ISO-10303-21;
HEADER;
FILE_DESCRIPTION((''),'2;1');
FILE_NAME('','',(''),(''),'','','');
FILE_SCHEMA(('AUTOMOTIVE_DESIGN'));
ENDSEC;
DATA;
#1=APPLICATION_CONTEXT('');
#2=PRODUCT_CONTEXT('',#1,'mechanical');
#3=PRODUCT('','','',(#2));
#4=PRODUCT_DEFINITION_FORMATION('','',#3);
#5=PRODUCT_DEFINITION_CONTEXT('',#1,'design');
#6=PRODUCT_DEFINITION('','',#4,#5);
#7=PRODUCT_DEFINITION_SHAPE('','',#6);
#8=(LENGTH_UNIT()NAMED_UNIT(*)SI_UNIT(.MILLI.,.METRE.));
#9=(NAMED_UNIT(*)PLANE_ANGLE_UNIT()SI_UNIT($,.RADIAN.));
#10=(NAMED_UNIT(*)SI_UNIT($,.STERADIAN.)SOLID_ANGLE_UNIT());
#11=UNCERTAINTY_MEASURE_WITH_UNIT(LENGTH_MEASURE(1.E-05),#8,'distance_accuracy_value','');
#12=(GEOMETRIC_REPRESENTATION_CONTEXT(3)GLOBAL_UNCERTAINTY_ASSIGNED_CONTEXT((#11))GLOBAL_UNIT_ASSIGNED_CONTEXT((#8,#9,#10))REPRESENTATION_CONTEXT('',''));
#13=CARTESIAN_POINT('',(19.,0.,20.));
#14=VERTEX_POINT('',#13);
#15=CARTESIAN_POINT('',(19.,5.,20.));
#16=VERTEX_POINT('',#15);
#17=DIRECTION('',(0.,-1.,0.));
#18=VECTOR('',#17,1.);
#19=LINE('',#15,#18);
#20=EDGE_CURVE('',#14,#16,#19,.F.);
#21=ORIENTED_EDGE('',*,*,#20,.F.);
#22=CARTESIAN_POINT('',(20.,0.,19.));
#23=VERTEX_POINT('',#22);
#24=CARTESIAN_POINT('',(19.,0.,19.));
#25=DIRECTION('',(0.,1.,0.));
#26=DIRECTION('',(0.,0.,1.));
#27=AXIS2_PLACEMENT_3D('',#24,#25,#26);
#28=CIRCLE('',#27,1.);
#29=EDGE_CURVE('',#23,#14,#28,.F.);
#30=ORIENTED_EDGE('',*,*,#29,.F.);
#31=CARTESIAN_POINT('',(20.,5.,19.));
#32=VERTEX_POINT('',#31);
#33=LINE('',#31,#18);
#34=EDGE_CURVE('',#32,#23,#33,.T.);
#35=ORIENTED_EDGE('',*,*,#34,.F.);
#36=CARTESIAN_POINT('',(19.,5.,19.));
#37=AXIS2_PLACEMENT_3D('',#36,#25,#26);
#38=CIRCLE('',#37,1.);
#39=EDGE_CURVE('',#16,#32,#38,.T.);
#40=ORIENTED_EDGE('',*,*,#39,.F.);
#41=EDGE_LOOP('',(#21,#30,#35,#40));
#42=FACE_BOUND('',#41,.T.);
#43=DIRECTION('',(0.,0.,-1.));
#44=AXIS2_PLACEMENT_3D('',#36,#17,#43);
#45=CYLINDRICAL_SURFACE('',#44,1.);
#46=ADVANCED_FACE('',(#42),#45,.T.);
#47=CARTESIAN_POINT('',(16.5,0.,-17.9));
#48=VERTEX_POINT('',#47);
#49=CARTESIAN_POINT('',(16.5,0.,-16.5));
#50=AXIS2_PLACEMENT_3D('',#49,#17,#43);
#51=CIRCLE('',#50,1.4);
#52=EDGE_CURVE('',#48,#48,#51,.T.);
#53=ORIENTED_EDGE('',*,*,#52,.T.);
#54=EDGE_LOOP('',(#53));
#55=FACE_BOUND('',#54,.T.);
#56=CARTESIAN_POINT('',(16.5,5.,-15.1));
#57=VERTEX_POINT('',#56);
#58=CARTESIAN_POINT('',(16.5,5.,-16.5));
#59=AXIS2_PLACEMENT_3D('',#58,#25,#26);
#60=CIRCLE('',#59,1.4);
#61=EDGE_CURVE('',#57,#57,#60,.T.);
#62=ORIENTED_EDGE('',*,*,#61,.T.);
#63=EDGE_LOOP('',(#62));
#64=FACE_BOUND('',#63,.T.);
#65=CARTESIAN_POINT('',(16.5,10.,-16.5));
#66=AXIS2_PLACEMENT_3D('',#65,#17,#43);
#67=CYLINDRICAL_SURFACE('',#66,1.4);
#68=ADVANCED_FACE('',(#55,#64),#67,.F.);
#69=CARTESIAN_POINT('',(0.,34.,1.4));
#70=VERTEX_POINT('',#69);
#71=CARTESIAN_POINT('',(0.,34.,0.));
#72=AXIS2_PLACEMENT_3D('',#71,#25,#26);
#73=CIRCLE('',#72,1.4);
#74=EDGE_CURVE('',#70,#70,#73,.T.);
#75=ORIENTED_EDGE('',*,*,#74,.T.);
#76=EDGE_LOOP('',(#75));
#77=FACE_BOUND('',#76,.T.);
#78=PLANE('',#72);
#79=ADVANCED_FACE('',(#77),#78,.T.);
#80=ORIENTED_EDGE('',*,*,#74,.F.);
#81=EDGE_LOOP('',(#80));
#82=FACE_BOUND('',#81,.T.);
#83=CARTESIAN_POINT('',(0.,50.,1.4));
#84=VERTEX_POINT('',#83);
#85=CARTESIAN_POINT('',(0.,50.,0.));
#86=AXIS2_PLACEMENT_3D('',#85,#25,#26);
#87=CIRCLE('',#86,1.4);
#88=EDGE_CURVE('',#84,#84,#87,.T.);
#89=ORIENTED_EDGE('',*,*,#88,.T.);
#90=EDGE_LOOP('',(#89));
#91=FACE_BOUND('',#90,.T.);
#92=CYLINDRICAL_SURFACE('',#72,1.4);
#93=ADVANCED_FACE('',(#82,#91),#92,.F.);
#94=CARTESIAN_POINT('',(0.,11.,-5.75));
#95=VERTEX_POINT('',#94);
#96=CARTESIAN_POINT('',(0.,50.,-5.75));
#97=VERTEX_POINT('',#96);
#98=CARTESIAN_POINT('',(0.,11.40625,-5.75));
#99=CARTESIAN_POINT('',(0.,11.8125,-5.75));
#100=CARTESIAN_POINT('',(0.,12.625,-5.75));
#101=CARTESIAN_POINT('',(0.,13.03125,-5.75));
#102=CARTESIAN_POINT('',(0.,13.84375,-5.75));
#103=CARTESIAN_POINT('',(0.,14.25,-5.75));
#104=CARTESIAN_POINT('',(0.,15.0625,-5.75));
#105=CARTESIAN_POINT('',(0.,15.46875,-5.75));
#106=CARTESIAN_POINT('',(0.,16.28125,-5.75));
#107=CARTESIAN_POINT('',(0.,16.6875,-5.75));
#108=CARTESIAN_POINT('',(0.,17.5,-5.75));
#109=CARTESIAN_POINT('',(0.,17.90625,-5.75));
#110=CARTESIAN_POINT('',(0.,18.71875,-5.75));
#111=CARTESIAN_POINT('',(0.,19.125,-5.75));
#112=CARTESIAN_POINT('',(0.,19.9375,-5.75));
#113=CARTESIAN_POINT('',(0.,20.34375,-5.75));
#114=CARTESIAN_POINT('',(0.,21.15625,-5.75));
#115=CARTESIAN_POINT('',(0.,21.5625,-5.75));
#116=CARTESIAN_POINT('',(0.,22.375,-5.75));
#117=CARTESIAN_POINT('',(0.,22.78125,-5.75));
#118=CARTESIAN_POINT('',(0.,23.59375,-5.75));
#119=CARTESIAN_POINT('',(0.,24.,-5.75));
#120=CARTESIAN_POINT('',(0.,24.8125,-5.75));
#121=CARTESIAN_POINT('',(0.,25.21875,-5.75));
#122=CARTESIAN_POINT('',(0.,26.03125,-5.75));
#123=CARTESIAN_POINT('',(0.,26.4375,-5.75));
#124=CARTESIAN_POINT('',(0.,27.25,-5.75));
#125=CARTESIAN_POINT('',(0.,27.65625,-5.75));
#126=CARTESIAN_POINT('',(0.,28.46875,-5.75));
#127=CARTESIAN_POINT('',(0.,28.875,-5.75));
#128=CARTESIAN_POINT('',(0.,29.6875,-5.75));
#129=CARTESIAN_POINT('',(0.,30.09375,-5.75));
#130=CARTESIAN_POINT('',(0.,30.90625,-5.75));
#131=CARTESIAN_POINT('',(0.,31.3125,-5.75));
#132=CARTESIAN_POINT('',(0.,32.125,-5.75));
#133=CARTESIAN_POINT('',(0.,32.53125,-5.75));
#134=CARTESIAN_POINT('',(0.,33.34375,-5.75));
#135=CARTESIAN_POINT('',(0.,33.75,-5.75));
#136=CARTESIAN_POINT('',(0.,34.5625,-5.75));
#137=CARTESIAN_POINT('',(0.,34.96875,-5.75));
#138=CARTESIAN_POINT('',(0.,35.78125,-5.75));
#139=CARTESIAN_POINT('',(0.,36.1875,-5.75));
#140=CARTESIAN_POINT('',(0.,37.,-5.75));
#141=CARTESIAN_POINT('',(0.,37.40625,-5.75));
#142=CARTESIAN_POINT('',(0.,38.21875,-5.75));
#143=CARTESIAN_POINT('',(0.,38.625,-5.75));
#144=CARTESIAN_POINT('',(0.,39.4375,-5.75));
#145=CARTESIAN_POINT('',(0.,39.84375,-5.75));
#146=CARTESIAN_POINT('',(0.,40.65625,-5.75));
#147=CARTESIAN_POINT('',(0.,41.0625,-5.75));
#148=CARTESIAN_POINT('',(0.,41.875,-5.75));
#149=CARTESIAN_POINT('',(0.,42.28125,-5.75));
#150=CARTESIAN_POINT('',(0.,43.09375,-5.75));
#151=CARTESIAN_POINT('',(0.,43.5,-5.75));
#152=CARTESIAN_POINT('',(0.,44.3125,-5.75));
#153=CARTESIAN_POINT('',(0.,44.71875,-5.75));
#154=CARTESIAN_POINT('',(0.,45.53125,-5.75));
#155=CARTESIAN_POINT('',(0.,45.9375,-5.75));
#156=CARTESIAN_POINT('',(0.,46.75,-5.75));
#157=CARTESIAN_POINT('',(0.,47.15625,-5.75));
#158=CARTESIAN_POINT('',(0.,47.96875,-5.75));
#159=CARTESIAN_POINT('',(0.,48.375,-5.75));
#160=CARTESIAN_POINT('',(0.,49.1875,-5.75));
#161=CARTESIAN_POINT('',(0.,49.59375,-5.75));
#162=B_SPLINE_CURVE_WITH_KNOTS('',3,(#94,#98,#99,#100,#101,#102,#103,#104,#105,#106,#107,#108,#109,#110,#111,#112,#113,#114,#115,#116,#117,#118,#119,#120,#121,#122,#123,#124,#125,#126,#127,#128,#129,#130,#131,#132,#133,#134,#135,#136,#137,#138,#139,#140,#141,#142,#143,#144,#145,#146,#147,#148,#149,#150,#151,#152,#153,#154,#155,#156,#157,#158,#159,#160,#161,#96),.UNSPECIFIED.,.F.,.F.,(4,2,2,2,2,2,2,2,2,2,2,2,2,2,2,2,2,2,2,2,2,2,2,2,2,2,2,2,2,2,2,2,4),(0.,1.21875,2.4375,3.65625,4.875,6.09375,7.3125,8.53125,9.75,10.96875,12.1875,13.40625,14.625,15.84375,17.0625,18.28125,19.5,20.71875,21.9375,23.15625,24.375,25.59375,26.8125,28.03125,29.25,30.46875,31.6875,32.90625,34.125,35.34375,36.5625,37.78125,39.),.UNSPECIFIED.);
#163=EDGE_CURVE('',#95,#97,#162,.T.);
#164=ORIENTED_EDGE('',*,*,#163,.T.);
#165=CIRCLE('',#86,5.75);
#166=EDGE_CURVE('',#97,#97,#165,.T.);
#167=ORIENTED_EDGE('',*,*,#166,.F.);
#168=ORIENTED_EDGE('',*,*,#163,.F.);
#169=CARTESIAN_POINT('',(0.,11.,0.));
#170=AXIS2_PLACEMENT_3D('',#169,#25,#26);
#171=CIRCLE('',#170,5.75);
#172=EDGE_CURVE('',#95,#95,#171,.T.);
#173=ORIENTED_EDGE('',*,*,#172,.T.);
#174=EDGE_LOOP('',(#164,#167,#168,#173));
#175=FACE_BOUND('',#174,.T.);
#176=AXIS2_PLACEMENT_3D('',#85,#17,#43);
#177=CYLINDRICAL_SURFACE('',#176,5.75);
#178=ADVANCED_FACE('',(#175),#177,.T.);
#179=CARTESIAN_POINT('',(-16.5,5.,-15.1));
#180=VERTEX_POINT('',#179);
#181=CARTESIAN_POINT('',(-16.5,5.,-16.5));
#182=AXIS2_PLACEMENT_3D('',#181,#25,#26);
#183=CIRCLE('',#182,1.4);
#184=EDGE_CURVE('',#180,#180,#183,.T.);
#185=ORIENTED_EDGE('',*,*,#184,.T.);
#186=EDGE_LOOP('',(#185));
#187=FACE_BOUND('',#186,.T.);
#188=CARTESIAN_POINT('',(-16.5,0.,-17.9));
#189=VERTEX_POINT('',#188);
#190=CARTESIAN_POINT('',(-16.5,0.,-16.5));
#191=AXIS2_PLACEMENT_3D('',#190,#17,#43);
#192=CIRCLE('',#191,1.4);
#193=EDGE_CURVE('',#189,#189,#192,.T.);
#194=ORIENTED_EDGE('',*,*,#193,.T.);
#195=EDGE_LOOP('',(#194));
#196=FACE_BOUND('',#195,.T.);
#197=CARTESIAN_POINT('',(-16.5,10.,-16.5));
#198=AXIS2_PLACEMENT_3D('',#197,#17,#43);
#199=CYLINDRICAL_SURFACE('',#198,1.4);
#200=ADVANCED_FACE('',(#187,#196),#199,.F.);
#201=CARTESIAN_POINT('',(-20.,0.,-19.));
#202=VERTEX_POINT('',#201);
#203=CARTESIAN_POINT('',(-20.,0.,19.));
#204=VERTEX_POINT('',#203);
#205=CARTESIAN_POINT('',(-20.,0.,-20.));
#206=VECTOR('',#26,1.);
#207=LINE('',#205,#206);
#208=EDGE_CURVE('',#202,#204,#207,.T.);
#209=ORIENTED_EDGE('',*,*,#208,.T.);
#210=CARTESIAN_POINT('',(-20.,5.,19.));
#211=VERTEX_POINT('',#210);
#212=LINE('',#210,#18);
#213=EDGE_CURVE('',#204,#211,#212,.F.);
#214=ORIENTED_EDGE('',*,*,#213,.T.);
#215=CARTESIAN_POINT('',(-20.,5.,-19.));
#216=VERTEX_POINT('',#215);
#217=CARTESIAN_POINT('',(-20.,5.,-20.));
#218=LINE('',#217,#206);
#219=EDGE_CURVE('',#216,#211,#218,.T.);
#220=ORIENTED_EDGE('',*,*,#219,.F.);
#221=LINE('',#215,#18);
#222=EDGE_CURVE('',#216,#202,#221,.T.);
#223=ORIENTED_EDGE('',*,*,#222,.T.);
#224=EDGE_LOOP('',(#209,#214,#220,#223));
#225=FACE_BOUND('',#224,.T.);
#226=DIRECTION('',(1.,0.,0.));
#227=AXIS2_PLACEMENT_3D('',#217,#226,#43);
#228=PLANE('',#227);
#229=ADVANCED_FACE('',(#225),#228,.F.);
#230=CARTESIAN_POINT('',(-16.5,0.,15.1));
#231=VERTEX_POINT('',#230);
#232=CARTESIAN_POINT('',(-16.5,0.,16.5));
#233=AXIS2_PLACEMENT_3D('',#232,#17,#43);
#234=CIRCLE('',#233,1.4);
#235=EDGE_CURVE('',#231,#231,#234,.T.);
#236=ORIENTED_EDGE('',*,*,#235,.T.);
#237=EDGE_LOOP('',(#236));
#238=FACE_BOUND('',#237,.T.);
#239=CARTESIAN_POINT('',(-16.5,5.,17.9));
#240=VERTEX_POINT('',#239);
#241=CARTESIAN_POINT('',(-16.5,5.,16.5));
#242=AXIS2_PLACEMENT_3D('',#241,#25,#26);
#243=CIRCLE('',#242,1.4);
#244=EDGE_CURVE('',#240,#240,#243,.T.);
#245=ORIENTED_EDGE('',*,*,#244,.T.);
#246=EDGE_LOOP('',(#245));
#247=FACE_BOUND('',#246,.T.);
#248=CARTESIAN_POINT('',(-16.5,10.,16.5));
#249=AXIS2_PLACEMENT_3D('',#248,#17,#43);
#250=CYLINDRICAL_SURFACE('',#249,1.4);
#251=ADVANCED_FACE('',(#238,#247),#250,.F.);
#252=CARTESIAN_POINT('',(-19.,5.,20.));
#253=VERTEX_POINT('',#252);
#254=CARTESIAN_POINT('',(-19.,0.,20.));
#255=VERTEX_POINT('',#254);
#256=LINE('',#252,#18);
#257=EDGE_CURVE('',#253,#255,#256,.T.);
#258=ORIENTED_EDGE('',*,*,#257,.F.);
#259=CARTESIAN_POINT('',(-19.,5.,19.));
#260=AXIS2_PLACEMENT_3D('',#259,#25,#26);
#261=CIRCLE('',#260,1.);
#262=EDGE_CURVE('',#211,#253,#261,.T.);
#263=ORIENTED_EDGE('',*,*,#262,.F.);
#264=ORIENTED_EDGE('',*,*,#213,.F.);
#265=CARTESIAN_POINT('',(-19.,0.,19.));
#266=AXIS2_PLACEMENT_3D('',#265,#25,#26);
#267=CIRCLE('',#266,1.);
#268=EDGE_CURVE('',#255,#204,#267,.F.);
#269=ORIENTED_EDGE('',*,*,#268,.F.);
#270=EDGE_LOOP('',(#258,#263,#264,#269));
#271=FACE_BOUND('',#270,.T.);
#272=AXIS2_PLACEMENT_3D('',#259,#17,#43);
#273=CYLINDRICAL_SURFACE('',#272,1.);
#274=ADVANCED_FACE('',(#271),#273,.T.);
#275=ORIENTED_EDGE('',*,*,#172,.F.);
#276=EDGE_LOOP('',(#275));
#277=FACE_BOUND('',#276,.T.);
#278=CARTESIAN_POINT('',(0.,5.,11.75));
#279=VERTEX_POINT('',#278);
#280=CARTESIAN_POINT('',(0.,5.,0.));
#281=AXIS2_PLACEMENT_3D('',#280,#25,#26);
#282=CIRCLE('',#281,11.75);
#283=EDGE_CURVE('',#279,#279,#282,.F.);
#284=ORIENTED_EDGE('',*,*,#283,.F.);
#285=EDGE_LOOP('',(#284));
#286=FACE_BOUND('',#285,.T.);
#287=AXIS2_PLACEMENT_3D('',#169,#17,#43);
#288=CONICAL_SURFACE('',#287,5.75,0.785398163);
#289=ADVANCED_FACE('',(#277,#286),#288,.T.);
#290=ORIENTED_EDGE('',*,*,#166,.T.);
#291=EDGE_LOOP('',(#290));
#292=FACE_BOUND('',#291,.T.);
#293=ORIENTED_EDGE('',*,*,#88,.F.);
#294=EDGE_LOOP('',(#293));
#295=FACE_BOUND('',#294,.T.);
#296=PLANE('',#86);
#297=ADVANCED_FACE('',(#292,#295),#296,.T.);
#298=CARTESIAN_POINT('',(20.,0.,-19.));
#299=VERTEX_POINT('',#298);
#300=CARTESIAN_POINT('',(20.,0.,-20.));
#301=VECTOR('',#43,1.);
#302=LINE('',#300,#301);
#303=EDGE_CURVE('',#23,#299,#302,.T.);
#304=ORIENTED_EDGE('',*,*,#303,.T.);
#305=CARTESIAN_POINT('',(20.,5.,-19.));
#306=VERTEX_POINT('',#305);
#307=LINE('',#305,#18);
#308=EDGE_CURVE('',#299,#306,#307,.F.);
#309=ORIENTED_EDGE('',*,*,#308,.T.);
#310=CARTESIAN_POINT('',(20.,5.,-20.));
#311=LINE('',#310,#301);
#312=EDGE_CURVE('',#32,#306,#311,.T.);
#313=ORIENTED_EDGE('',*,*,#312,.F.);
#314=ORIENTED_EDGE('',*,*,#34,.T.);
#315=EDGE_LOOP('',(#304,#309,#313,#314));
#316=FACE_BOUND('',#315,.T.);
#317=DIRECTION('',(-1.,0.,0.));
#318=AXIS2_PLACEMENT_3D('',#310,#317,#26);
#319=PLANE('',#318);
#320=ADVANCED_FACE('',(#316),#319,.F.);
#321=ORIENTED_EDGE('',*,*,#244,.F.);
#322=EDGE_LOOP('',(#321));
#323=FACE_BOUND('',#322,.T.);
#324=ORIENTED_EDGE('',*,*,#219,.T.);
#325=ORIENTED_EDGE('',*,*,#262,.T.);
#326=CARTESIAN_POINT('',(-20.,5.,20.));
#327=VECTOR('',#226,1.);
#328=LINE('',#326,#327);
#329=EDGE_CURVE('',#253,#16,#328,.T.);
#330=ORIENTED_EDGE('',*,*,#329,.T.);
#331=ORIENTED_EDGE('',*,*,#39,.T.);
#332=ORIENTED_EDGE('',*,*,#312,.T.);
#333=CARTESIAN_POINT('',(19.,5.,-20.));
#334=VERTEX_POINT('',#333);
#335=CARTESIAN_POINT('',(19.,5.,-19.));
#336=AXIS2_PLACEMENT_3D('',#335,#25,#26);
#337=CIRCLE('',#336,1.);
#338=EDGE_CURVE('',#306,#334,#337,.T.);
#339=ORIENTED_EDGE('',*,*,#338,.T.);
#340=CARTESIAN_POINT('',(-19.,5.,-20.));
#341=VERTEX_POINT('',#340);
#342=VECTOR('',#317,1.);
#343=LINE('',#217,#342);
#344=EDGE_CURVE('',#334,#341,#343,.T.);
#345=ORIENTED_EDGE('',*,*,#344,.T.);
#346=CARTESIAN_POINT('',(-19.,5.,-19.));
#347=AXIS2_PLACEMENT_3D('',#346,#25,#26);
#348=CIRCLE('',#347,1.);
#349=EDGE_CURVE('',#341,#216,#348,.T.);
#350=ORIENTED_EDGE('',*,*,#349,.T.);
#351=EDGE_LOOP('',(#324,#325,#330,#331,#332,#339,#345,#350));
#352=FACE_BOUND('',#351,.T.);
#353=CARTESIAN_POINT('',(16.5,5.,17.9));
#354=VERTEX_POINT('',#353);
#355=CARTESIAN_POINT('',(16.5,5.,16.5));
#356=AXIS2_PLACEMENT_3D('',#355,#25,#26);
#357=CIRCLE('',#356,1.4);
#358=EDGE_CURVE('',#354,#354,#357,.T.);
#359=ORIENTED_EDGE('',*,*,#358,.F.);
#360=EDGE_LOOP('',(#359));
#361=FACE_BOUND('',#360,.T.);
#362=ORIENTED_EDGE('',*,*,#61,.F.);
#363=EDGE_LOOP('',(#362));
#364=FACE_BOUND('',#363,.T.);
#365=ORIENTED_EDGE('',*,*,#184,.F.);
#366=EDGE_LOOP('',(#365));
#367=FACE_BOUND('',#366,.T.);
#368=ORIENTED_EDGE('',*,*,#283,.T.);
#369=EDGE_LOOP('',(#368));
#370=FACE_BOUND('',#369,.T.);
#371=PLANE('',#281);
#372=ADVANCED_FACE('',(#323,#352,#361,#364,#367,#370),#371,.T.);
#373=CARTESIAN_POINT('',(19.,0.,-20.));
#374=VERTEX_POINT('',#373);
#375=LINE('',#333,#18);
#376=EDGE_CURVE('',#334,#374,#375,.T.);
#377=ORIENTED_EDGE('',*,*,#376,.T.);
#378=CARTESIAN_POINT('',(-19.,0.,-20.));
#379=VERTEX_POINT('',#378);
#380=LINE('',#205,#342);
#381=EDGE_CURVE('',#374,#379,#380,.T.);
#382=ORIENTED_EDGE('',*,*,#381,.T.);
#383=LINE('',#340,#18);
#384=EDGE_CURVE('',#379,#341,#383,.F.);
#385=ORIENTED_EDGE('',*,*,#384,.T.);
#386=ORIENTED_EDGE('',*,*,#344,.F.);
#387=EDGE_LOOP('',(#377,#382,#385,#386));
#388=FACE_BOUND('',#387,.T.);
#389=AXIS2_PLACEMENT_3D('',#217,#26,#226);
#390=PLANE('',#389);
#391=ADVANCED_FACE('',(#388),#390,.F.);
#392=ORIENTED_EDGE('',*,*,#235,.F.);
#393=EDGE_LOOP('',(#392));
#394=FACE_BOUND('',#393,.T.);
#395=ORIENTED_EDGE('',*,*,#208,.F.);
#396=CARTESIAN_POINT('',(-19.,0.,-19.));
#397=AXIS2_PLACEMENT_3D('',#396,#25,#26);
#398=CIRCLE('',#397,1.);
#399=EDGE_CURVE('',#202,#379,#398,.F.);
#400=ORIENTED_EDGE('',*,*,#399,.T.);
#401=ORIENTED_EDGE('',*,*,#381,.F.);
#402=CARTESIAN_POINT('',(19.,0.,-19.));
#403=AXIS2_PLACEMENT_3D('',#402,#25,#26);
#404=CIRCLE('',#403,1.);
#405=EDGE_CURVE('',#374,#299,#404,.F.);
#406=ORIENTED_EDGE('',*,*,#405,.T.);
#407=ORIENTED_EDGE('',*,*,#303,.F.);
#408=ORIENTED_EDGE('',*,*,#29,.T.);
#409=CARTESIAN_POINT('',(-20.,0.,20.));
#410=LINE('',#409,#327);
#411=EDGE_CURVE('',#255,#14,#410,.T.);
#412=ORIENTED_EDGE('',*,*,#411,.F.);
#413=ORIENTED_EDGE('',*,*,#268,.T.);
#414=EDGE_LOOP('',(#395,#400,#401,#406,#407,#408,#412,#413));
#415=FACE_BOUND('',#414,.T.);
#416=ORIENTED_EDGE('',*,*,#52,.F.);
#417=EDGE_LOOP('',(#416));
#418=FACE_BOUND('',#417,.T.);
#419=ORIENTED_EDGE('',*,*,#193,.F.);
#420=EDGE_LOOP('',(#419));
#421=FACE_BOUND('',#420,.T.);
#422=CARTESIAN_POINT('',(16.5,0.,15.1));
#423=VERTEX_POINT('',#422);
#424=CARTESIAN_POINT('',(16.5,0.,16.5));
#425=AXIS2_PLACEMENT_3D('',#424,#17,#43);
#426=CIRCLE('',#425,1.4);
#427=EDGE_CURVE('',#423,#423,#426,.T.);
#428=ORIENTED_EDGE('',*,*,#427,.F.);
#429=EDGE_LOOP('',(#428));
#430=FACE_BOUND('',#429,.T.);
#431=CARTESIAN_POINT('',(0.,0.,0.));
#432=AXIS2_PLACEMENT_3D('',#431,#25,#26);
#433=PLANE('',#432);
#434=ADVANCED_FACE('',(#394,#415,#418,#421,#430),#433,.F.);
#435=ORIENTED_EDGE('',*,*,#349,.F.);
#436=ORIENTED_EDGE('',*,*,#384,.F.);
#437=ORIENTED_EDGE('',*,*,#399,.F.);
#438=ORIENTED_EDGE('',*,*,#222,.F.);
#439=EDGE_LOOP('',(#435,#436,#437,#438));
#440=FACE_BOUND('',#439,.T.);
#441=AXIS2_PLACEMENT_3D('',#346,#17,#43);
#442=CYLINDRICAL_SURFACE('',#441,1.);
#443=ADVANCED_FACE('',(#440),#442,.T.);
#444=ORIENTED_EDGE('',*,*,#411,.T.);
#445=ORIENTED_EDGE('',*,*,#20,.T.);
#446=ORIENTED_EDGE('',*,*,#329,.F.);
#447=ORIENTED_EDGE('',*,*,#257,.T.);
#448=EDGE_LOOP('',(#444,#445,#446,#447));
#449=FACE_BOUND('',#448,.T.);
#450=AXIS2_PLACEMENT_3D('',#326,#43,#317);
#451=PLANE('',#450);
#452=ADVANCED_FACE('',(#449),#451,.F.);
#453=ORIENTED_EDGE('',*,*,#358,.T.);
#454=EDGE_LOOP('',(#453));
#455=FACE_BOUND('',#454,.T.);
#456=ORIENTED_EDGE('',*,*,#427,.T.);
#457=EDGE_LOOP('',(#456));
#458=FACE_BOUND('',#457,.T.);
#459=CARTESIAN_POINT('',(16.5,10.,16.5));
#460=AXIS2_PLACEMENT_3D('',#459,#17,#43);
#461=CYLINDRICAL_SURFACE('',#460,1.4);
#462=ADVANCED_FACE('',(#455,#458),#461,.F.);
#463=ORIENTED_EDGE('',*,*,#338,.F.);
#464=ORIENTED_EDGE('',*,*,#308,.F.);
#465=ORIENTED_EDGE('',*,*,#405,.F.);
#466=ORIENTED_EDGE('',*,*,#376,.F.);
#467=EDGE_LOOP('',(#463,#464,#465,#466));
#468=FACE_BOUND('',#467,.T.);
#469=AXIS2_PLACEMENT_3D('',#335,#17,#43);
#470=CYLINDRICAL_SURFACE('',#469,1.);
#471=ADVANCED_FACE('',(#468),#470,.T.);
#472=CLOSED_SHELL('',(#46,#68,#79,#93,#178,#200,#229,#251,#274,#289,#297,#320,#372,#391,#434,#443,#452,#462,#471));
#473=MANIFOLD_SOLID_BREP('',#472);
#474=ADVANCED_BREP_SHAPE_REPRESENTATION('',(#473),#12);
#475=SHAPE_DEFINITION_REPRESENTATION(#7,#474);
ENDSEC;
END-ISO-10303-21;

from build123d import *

# Parameters (mm, degrees)
SKETCH1_W           = 40
SKETCH1_H           = 40
BOSS_EXTRUDE1_DEPTH = 5
SKETCH3_R           = 1.4
CUT_EXTRUDE1_DEPTH  = 10
SKETCH4_R           = 5.75
BOSS_EXTRUDE2_DEPTH = 45
CHAMFER1_SIZE       = 6
SKETCH6_R           = 1.4
CUT_EXTRUDE2_DEPTH  = 16
FILLET1_R           = 1


with BuildPart() as part:
    # Sketch1 → Boss-Extrude1 (new body)
    with BuildSketch(Plane(origin=(0, 0, 0), x_dir=(1, 0, 0), z_dir=(0, 1, 0))):
        Rectangle(SKETCH1_W, SKETCH1_H)
    extrude(amount=BOSS_EXTRUDE1_DEPTH)

    # Sketch3 → Cut-Extrude1 (cut)
    with BuildSketch(Plane.XZ):
        with Locations(Location((-16.5, -16.5, 0), (0, 0, 270))):
            Circle(SKETCH3_R)
        with Locations(Location((-16.5, 16.5, 0), (0, 0, 270))):
            Circle(SKETCH3_R)
        with Locations(Location((16.5, 16.5, 0), (0, 0, 270))):
            Circle(SKETCH3_R)
        with Locations(Location((16.5, -16.5, 0), (0, 0, 270))):
            Circle(SKETCH3_R)
    extrude(amount=-CUT_EXTRUDE1_DEPTH, mode=Mode.SUBTRACT)

    # Sketch4 → Boss-Extrude2 (add)
    with BuildSketch(Plane(origin=(0, 5, 0), x_dir=(1, 0, 0), z_dir=(0, 1, 0))):
        with Locations(Location((0, 0, 0), (0, 0, 90))):
            Circle(SKETCH4_R)
    extrude(amount=BOSS_EXTRUDE2_DEPTH)

    # Chamfer1
    chamfer1_edges = [part.edges().sort_by_distance(p)[0] for p in [
        (0, 5, 5.75),
    ]]
    chamfer(chamfer1_edges, length=CHAMFER1_SIZE)

    # Sketch6 → Cut-Extrude2 (cut)
    with BuildSketch(Plane(origin=(0, 50, 0), x_dir=(1, 0, 0), z_dir=(0, 1, 0))):
        with Locations(Location((0, 0, 0), (0, 0, 270))):
            Circle(SKETCH6_R)
    extrude(amount=-CUT_EXTRUDE2_DEPTH, mode=Mode.SUBTRACT)

    # Fillet1
    fillet1_edges = [part.edges().sort_by_distance(p)[0] for p in [
        (20, 2.5, 20),
        (-20, 2.5, 20),
        (-20, 2.5, -20),
        (20, 2.5, -20),
    ]]
    fillet(fillet1_edges, radius=FILLET1_R)


solid = part.part
